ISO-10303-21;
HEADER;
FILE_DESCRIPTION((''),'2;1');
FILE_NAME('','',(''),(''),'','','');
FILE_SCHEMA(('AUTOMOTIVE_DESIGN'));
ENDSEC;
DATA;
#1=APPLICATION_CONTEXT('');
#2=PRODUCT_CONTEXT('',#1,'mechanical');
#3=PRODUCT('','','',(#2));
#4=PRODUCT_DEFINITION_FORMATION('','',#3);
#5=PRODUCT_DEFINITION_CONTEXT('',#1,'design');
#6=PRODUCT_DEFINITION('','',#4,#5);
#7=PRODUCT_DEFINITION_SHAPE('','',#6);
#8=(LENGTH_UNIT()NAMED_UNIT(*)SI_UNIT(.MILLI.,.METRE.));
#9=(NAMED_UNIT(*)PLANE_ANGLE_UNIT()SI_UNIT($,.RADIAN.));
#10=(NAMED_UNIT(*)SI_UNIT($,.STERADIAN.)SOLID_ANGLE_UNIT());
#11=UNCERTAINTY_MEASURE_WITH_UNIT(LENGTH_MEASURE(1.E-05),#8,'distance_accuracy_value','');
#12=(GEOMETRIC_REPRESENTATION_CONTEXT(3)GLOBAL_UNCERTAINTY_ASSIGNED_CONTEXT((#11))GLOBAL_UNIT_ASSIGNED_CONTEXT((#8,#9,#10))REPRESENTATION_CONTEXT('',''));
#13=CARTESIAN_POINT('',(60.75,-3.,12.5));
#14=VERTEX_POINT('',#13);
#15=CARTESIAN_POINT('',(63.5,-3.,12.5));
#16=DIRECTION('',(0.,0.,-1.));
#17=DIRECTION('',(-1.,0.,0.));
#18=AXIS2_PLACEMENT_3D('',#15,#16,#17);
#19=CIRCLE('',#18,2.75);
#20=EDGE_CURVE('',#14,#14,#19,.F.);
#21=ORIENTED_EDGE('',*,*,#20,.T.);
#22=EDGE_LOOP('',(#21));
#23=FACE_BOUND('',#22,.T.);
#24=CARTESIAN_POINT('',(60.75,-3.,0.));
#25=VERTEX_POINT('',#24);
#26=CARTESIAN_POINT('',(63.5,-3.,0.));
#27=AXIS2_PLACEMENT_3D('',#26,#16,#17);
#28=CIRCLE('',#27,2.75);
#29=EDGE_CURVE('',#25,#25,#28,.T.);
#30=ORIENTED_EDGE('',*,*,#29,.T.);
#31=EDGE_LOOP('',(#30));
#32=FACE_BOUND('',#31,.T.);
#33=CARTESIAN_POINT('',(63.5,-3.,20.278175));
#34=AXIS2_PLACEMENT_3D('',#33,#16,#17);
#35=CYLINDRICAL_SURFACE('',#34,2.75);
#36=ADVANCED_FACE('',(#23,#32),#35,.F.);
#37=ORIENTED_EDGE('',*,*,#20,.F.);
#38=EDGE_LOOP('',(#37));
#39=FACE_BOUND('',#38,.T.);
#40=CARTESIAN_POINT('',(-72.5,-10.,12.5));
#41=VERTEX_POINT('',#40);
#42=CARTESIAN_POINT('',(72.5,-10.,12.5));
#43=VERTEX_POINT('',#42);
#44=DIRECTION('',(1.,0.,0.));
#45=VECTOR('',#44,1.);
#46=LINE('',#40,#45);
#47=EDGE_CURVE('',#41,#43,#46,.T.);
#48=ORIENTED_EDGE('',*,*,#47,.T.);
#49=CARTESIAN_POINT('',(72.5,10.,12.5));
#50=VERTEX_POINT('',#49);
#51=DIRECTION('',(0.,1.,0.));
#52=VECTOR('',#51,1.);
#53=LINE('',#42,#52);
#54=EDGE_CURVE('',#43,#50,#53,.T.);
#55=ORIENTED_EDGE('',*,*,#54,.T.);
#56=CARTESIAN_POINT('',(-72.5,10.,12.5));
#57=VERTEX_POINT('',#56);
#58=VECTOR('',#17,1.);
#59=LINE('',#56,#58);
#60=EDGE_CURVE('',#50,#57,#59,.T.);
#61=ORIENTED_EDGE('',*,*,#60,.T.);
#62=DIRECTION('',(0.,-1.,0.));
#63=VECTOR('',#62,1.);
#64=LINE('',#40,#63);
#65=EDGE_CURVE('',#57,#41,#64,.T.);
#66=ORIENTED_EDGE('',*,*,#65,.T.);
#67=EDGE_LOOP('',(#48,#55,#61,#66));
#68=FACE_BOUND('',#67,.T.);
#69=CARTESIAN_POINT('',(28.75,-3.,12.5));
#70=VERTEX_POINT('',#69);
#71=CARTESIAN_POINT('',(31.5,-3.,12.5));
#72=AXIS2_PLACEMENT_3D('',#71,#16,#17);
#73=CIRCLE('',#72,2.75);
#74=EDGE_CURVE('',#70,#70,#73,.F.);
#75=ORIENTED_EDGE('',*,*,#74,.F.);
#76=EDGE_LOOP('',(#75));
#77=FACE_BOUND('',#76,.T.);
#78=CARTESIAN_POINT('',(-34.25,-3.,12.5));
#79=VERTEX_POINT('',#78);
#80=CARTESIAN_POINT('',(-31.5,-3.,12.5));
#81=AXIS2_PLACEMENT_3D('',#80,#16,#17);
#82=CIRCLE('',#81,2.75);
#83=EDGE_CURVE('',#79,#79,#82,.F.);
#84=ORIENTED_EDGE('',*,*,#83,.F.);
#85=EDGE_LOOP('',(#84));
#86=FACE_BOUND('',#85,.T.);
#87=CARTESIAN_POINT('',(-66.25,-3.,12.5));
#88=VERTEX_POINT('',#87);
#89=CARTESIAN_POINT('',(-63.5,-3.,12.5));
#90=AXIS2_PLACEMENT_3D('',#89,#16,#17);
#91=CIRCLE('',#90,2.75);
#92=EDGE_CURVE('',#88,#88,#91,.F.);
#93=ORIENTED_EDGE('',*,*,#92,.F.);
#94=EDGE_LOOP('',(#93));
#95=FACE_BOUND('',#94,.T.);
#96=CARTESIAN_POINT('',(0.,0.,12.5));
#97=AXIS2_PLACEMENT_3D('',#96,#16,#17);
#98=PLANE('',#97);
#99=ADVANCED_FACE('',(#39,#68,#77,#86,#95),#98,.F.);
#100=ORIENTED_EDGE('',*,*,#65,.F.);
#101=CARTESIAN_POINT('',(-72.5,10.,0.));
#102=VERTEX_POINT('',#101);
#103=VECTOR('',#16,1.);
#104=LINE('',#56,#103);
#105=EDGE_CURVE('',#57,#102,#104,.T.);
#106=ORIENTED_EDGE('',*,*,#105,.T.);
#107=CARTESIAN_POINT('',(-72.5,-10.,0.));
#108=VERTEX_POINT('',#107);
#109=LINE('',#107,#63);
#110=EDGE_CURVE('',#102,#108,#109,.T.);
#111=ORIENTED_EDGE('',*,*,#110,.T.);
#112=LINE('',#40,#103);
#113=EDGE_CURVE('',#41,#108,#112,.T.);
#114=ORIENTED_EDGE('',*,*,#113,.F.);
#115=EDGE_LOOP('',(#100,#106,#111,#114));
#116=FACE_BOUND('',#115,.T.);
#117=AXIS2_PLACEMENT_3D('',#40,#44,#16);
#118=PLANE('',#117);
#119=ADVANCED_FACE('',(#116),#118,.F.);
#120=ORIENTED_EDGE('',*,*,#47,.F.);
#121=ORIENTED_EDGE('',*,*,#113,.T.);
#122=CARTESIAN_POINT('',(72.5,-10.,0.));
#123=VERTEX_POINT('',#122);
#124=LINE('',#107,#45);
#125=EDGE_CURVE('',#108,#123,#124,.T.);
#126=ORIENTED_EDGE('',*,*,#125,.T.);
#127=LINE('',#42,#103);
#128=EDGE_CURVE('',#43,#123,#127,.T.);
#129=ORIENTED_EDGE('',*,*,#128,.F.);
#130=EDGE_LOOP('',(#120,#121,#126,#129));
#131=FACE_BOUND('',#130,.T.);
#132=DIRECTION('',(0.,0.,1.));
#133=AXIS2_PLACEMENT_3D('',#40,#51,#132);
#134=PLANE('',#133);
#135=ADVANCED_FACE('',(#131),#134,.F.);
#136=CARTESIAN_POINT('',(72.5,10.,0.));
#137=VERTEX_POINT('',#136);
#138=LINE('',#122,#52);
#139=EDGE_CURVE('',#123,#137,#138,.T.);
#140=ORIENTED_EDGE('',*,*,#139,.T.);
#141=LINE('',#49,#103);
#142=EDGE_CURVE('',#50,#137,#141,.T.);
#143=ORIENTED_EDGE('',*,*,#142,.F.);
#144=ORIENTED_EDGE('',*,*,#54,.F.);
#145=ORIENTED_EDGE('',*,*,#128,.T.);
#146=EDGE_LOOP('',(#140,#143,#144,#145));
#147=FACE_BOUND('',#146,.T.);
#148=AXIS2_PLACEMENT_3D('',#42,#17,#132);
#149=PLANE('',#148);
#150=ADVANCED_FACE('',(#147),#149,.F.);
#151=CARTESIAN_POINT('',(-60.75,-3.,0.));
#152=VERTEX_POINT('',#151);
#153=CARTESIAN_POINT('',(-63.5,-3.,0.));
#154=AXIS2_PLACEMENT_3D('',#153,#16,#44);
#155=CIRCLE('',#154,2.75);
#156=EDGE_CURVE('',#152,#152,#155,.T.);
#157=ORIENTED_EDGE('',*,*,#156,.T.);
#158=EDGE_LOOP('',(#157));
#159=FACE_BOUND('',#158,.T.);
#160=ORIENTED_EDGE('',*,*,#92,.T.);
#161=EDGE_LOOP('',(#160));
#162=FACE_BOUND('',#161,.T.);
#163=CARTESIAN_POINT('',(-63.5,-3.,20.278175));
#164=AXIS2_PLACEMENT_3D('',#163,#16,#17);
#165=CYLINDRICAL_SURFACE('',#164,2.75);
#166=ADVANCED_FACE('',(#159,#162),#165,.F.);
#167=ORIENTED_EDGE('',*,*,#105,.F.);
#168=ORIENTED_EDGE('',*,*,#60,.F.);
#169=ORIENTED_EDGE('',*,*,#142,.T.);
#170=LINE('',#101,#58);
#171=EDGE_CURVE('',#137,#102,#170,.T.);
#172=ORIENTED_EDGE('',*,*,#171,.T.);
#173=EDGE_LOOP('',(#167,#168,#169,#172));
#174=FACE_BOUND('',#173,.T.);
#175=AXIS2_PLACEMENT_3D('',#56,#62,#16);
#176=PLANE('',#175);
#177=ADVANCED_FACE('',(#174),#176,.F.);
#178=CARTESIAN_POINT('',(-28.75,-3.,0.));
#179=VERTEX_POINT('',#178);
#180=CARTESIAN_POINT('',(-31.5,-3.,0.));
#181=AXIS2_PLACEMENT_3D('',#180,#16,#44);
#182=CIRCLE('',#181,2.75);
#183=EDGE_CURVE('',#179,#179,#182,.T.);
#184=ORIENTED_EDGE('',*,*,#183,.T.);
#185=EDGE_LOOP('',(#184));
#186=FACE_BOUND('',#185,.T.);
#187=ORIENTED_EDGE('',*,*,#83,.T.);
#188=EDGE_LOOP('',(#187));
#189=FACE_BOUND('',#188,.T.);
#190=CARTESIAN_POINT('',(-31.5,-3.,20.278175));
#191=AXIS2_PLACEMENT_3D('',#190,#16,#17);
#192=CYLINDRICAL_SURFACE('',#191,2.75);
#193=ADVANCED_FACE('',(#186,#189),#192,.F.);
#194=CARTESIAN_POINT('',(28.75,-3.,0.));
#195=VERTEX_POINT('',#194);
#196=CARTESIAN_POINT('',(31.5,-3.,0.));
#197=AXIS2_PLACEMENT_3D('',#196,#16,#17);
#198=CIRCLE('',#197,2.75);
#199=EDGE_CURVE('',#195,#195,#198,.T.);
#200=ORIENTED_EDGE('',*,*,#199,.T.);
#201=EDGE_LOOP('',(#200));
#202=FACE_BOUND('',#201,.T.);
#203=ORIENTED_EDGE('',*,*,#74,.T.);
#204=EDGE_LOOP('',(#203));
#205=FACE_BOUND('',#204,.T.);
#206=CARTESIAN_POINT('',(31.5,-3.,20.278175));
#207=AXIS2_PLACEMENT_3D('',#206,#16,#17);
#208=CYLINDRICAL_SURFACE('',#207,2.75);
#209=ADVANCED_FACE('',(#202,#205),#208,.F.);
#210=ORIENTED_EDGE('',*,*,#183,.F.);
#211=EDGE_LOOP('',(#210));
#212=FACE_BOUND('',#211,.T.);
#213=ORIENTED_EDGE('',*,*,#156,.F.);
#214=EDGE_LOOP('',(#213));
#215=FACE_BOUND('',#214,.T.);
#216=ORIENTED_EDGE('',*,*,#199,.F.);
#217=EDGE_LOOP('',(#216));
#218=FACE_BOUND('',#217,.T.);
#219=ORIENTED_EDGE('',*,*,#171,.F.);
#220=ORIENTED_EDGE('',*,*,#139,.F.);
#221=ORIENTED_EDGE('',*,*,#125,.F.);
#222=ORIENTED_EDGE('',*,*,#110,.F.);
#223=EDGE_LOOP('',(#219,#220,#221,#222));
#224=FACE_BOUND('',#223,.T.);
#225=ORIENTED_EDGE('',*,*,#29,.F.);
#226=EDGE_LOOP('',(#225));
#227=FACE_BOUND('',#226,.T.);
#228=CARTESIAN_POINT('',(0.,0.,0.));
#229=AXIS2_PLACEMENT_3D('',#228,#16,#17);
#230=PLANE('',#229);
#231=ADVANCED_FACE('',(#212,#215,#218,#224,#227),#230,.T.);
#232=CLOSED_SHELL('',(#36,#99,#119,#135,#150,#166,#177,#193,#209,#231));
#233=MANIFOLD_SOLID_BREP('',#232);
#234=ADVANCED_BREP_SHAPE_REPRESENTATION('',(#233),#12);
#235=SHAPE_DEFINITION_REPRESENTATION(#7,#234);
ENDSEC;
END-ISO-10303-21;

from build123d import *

# Parameters (mm, degrees)
SKETCH_1_W          = 145
SKETCH_1_H          = 20
EXTRUDE_1_DEPTH     = 12.5
SKETCH_2_R          = 2.75
CUT_EXTRUDE_1_DEPTH = 12.5


with BuildPart() as part:
    # 草图1 → 凸台-拉伸1 (new body)
    with BuildSketch(Plane.XY):
        Rectangle(SKETCH_1_W, SKETCH_1_H)
    extrude(amount=EXTRUDE_1_DEPTH)

    # 草图2 → 切除-拉伸1 (cut)
    with BuildSketch(Plane(origin=(0, 0, 0), x_dir=(-1, 0, 0), z_dir=(0, 0, -1))):
        with Locations((-63.5, -3)):
            Circle(SKETCH_2_R)
        with Locations((-31.5, -3)):
            Circle(SKETCH_2_R)
        with Locations((31.5, -3)):
            Circle(SKETCH_2_R)
        with Locations((63.5, -3)):
            Circle(SKETCH_2_R)
    extrude(amount=-CUT_EXTRUDE_1_DEPTH, mode=Mode.SUBTRACT)


solid = part.part
